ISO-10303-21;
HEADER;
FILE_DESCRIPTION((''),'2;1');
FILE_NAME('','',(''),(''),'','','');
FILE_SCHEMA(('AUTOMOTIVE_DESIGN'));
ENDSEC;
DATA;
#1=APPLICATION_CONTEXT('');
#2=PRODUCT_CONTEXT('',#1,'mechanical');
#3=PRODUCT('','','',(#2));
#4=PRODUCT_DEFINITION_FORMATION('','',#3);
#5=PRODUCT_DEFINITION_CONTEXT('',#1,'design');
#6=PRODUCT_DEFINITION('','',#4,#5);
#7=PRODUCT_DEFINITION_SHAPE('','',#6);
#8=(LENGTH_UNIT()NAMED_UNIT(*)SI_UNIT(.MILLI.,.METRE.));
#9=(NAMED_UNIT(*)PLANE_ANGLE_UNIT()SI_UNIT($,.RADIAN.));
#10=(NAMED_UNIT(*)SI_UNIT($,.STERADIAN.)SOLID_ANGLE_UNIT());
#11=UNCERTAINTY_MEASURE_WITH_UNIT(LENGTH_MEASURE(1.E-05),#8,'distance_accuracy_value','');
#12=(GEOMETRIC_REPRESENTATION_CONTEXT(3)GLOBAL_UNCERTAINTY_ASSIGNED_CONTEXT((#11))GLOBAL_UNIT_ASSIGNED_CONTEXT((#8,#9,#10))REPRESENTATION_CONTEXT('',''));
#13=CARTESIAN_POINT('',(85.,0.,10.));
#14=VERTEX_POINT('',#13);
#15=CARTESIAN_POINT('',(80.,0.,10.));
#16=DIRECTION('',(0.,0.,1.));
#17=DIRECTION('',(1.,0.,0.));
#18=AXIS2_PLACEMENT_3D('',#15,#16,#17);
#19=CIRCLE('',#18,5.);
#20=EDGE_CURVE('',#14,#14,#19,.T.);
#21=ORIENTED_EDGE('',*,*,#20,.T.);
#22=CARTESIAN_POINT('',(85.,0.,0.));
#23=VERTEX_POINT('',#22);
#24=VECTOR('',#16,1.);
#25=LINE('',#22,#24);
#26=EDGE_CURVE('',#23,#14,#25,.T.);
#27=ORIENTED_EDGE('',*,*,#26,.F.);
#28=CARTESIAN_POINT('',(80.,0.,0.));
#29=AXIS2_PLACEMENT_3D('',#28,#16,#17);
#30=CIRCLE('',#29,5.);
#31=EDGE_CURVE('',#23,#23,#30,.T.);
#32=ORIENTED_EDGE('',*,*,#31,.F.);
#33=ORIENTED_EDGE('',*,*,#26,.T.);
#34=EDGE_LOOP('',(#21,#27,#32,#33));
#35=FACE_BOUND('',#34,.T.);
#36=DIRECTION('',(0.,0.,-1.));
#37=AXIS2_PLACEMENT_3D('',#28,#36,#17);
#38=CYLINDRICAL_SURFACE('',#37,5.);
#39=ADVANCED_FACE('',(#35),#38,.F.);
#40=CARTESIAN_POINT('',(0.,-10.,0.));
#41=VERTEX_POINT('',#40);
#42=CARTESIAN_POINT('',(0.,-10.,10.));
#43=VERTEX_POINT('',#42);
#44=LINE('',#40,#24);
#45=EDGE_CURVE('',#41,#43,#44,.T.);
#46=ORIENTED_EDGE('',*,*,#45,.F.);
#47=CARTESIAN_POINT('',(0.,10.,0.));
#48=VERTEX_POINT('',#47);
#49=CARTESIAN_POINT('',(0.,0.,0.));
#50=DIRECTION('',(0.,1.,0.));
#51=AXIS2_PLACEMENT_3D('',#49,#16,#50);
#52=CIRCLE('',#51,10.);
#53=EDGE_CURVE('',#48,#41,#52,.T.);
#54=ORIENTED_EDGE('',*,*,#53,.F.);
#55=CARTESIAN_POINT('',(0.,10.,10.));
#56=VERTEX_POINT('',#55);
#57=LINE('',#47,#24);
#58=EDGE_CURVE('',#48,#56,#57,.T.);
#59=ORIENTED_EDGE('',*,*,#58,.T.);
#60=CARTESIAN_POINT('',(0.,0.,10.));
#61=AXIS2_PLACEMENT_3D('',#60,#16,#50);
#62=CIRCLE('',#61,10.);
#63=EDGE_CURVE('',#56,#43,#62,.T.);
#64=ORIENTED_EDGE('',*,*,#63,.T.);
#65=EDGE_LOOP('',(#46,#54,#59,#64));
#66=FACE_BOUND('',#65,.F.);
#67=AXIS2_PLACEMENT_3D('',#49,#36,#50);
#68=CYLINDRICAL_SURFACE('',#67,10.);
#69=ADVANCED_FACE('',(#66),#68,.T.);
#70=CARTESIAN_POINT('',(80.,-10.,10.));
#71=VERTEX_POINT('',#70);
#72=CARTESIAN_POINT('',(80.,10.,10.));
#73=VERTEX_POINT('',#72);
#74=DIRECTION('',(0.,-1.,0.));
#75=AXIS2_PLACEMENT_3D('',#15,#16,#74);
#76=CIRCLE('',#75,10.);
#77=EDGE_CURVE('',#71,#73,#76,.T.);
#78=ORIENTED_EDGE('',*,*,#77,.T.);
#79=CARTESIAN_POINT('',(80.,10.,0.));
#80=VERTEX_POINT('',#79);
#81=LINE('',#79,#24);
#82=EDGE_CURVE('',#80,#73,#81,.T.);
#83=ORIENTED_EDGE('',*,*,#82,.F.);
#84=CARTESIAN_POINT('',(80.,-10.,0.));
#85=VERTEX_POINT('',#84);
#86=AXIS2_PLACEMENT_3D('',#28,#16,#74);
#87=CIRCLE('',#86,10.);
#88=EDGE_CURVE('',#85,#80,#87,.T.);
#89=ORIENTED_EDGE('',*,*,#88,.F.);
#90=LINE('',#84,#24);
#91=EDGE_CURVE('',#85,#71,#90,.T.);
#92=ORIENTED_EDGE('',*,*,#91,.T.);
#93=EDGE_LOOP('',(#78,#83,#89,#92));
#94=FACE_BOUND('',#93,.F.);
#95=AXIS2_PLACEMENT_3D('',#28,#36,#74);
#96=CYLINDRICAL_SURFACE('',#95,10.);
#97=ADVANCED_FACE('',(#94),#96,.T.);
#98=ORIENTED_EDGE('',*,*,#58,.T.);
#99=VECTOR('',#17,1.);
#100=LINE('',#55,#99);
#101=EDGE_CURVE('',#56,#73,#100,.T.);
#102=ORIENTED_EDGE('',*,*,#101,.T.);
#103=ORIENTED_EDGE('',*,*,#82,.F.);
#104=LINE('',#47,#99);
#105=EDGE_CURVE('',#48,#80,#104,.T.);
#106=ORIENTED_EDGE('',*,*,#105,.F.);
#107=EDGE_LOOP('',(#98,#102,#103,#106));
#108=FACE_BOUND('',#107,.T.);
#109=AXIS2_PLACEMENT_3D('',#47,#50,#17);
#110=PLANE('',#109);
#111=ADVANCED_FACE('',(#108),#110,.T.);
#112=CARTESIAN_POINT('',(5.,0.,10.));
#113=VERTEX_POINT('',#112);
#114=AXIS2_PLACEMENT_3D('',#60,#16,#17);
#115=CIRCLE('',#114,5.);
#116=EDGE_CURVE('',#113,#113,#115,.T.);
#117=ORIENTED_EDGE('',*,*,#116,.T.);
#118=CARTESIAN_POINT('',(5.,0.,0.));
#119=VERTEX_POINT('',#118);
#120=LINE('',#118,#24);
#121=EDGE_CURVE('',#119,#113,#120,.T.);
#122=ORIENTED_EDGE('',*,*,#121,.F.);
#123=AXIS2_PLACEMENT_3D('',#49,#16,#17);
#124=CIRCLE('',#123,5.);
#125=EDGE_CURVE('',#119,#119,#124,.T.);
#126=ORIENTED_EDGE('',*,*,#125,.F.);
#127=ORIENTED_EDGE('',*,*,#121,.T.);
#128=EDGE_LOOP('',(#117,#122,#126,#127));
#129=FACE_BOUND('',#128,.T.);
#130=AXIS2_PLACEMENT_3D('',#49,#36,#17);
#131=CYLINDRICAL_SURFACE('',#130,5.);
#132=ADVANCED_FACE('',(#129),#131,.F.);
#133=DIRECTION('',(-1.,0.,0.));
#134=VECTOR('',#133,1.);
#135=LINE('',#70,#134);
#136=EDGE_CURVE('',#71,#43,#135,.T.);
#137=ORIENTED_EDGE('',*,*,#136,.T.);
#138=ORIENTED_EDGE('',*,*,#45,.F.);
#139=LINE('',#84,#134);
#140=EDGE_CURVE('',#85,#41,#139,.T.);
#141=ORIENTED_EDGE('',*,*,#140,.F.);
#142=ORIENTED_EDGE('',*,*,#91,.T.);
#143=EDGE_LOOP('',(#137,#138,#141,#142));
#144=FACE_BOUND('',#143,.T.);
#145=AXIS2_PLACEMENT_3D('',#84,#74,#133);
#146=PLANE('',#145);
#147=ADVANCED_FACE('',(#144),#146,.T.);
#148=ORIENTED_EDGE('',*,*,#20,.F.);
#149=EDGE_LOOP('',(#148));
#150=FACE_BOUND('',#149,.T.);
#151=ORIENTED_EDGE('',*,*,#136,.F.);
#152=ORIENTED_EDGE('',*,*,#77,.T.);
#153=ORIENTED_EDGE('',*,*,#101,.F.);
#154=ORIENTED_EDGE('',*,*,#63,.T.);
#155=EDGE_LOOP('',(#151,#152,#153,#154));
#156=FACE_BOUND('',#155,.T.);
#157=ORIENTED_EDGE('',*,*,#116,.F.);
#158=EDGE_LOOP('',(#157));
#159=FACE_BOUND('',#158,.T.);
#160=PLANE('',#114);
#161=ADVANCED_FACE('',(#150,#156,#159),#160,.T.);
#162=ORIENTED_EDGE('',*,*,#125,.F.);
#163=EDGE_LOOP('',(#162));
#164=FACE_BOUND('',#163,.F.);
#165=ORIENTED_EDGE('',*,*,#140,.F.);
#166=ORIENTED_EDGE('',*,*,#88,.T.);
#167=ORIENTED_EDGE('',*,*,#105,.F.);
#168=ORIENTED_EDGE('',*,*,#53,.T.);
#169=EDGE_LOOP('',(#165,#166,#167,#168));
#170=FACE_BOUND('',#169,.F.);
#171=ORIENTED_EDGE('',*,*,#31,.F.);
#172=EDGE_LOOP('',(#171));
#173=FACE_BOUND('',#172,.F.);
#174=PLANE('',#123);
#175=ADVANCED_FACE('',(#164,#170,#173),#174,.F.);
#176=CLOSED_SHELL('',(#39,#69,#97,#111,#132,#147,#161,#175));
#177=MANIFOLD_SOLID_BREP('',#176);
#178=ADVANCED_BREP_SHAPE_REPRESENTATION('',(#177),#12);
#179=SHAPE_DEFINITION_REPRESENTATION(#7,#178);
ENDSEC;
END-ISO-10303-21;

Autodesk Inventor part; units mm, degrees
ref_plane "YZ Plane" through (0, 0, 0) normal (1, 0, 0) x (0, 1, 0)
ref_plane "XZ Plane" through (0, 0, 0) normal (0, 1, 0) x (-1, 0, 0)
ref_plane "XY Plane" through (0, 0, 0) normal (0, 0, 1) x (1, 0, 0)
sketch "草圖1" plane through (0, 0, 0) normal (0, 0, 1) x (1, 0, 0)
  line L0 (0, 0) -> (80, 0) construction
  line L1 (0, 10) -> (80, 10)
  line L2 (80, -10) -> (0, -10)
  arc A0 (0, 10) -> (0, -10) centre (0, 0) ccw
  arc A1 (80, -10) -> (80, 10) centre (80, 0) ccw
  circle A2 centre (0, 0) radius 5
  circle A3 centre (80, 0) radius 5
  point P0 (40, 0)
  dimension "d0" = 80
  dimension "d1" = 20
  dimension "d2" = 10
  dimension "d3" = 10
extrude "擠出1" add sketch "草圖1" along normal blind 10
properties part number "地桿"
